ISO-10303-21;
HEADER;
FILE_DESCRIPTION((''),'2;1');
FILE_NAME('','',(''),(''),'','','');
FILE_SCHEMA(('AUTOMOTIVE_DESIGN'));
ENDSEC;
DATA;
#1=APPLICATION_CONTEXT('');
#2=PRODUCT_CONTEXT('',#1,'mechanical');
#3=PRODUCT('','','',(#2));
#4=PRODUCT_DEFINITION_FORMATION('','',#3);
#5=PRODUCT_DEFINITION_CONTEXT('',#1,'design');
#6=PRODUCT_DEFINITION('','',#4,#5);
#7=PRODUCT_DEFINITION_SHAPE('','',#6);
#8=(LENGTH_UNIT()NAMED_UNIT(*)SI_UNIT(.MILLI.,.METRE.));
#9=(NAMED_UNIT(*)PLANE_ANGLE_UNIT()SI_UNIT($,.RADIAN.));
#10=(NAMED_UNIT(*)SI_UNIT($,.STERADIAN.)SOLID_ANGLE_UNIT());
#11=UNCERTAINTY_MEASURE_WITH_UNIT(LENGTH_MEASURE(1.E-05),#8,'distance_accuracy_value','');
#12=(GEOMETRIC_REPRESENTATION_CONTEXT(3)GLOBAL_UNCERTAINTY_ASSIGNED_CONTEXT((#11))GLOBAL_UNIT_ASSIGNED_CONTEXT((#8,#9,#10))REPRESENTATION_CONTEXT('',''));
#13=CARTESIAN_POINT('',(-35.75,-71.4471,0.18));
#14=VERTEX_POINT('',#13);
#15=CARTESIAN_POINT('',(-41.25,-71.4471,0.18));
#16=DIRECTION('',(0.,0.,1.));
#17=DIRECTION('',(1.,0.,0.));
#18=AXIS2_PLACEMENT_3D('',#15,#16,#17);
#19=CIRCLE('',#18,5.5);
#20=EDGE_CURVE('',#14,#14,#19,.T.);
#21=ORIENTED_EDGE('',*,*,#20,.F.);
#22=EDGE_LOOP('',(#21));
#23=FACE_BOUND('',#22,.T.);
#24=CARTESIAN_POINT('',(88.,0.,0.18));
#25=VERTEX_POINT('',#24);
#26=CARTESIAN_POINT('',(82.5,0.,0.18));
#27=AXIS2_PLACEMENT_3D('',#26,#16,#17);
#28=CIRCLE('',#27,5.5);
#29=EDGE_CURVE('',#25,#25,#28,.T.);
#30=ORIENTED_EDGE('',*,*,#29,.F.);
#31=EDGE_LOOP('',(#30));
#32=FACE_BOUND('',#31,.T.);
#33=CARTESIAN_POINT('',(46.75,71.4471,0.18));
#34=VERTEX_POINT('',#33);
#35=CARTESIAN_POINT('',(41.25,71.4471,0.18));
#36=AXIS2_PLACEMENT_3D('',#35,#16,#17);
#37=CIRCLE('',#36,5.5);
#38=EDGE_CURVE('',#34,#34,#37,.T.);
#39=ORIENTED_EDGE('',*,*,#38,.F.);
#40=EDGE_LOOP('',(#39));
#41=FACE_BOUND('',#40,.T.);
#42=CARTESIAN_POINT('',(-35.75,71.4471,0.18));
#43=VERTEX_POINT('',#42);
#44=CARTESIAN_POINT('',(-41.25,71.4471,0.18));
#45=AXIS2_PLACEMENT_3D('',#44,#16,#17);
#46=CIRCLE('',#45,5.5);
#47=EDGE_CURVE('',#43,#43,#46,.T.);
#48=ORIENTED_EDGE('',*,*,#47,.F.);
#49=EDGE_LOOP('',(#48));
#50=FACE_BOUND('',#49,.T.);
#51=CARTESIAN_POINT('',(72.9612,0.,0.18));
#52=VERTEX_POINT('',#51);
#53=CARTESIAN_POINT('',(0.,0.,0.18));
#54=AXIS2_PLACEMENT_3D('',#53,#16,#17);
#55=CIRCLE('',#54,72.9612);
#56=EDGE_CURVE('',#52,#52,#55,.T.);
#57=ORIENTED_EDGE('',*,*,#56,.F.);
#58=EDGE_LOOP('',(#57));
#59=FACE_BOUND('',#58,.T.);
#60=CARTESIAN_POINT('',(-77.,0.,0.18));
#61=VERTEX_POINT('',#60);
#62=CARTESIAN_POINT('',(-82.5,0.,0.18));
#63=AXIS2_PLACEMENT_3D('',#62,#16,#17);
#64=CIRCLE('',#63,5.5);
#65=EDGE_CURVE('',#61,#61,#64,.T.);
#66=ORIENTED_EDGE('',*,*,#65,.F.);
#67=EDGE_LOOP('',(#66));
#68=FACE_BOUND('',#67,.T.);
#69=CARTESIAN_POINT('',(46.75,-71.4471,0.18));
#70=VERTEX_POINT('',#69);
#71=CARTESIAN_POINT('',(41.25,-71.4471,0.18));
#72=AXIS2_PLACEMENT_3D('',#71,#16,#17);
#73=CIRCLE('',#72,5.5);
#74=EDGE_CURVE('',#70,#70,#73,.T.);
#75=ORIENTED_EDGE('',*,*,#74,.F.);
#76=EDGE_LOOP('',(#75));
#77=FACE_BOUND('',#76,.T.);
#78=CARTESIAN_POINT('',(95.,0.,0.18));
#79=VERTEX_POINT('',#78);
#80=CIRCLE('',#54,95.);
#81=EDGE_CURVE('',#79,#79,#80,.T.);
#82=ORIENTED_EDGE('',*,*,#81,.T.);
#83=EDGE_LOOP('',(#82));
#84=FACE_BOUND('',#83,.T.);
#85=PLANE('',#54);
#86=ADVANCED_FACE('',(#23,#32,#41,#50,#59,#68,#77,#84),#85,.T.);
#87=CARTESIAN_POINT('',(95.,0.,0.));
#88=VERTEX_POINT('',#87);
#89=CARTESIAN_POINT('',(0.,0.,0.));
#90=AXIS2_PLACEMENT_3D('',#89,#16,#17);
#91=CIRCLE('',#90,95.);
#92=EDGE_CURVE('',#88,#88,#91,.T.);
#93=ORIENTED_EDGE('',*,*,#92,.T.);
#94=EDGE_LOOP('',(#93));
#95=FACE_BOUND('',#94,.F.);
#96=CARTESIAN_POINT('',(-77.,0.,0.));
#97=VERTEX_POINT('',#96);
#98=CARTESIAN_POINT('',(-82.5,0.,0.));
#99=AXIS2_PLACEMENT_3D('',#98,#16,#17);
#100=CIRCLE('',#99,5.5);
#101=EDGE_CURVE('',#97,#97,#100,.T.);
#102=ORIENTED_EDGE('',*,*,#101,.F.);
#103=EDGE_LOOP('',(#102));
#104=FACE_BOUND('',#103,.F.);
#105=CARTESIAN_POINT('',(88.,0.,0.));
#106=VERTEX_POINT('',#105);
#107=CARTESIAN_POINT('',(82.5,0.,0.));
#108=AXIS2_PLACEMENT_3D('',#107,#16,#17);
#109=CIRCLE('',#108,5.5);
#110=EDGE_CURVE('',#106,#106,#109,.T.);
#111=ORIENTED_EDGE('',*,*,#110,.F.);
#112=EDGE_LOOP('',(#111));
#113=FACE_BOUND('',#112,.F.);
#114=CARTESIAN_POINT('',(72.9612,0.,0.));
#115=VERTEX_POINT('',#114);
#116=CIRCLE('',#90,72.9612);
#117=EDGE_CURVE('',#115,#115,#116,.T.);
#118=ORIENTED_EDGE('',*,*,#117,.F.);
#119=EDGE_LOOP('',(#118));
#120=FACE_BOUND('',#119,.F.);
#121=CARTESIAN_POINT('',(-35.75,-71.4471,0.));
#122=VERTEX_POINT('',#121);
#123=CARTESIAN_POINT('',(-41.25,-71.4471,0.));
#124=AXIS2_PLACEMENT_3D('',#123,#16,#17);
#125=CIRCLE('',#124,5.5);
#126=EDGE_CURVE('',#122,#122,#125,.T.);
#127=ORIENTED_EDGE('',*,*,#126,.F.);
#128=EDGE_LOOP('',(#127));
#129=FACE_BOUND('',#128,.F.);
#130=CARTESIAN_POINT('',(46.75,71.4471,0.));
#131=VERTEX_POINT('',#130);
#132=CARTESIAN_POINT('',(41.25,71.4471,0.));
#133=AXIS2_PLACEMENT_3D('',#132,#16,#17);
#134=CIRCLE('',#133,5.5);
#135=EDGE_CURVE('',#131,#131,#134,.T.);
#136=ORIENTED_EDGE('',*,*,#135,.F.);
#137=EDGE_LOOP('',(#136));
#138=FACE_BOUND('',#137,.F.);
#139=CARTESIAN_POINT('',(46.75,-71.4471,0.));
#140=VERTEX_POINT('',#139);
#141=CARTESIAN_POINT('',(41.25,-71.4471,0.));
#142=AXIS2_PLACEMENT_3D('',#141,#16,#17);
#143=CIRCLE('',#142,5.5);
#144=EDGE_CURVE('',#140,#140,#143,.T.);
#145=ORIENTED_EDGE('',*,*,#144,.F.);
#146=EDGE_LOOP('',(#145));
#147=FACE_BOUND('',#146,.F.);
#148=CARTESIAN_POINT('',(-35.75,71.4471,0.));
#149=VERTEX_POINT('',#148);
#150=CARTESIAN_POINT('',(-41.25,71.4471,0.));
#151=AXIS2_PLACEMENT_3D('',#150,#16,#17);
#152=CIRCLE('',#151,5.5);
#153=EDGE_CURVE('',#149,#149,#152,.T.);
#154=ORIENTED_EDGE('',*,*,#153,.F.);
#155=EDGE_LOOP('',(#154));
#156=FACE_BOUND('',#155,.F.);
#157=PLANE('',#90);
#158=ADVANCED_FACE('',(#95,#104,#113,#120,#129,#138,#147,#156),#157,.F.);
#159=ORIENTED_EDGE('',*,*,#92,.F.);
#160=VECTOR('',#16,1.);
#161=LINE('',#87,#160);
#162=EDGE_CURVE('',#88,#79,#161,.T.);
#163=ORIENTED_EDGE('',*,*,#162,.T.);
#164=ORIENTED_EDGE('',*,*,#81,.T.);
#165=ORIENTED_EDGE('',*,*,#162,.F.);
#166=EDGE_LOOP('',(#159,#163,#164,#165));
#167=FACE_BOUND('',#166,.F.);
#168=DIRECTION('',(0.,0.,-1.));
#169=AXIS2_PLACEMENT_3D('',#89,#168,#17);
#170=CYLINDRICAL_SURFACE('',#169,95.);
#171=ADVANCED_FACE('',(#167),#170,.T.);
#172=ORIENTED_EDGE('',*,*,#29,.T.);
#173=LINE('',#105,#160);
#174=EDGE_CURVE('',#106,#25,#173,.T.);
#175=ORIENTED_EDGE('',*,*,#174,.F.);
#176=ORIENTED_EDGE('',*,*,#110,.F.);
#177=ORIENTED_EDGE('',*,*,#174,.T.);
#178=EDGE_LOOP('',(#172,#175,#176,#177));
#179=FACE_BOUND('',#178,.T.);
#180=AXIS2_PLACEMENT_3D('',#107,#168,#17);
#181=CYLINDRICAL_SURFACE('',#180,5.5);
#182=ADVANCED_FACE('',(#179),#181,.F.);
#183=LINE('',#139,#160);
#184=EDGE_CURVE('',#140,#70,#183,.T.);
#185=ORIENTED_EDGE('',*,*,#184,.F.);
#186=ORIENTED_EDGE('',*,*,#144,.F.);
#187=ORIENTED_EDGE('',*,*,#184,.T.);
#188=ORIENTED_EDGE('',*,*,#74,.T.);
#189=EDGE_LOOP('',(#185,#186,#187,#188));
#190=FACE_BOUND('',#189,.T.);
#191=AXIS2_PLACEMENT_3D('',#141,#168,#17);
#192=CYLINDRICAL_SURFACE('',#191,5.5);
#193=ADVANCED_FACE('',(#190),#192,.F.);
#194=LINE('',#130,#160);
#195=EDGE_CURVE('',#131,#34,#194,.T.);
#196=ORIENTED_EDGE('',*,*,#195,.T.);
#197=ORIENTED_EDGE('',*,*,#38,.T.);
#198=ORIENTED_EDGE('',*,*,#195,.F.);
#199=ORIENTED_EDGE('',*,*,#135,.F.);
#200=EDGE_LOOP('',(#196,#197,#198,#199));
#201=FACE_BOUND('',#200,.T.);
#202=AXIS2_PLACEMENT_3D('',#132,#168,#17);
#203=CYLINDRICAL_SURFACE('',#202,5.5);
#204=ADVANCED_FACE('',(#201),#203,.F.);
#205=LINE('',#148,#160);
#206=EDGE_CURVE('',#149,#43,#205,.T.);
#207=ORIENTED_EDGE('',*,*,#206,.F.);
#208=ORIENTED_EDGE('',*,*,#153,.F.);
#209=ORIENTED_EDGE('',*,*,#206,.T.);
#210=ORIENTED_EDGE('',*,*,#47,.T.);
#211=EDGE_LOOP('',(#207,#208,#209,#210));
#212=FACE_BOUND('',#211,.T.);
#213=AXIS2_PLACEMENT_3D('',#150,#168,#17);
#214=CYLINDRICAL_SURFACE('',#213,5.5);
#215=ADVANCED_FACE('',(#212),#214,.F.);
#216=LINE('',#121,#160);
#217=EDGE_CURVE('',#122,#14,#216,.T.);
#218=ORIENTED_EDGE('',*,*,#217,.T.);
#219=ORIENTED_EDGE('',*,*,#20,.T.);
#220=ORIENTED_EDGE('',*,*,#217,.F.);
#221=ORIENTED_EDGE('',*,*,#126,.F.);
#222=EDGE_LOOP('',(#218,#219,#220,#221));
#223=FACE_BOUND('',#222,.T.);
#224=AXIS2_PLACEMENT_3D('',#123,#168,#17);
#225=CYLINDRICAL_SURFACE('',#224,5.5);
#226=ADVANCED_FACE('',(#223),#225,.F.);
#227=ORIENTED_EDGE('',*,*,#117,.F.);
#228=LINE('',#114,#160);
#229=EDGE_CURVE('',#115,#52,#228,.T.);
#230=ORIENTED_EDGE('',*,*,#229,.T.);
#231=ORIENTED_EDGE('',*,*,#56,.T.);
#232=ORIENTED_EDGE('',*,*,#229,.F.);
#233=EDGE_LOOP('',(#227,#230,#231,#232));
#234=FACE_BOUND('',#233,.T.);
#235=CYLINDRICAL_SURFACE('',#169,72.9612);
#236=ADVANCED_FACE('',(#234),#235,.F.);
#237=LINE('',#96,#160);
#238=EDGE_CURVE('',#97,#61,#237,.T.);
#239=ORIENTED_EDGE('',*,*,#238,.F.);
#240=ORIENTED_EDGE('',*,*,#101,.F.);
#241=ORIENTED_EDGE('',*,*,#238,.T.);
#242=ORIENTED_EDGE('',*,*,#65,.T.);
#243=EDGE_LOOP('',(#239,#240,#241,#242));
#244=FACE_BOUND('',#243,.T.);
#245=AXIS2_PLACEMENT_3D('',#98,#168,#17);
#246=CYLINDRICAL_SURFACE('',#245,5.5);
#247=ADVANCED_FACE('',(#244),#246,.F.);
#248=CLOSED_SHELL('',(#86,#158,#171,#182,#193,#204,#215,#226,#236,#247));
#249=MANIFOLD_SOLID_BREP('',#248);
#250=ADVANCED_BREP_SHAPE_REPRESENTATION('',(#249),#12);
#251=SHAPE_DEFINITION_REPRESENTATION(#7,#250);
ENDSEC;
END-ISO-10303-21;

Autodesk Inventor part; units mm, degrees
ref_plane "YZ Plane" through (0, 0, 0) normal (1, 0, 0) x (0, 1, 0)
ref_plane "XZ Plane" through (0, 0, 0) normal (0, 1, 0) x (-1, 0, 0)
ref_plane "工作平面1" through (0, 0, 0) normal (0, 0, 1) x (1, 0, 0)
sketch "草图1" plane through (0, 0, 0) normal (0, 0, 1) x (1, 0, 0)
  circle A0 centre (41.25, -71.4471) radius 5.5 projected
  circle A1 centre (41.25, 71.4471) radius 5.5 projected
  circle A2 centre (82.5, 0) radius 5.5 projected
  circle A3 centre (-82.5, 0) radius 5.5 projected
  circle A4 centre (-41.25, 71.4471) radius 5.5 projected
  circle A5 centre (-41.25, -71.4471) radius 5.5 projected
  circle A6 centre (0, 0) radius 95 projected
  circle A7 centre (0, 0) radius 72.9612 projected
  point P0 (0, 0)
extrude "拉伸1" add sketch "草图1" along normal blind 0.18
properties part number "垫片2"
